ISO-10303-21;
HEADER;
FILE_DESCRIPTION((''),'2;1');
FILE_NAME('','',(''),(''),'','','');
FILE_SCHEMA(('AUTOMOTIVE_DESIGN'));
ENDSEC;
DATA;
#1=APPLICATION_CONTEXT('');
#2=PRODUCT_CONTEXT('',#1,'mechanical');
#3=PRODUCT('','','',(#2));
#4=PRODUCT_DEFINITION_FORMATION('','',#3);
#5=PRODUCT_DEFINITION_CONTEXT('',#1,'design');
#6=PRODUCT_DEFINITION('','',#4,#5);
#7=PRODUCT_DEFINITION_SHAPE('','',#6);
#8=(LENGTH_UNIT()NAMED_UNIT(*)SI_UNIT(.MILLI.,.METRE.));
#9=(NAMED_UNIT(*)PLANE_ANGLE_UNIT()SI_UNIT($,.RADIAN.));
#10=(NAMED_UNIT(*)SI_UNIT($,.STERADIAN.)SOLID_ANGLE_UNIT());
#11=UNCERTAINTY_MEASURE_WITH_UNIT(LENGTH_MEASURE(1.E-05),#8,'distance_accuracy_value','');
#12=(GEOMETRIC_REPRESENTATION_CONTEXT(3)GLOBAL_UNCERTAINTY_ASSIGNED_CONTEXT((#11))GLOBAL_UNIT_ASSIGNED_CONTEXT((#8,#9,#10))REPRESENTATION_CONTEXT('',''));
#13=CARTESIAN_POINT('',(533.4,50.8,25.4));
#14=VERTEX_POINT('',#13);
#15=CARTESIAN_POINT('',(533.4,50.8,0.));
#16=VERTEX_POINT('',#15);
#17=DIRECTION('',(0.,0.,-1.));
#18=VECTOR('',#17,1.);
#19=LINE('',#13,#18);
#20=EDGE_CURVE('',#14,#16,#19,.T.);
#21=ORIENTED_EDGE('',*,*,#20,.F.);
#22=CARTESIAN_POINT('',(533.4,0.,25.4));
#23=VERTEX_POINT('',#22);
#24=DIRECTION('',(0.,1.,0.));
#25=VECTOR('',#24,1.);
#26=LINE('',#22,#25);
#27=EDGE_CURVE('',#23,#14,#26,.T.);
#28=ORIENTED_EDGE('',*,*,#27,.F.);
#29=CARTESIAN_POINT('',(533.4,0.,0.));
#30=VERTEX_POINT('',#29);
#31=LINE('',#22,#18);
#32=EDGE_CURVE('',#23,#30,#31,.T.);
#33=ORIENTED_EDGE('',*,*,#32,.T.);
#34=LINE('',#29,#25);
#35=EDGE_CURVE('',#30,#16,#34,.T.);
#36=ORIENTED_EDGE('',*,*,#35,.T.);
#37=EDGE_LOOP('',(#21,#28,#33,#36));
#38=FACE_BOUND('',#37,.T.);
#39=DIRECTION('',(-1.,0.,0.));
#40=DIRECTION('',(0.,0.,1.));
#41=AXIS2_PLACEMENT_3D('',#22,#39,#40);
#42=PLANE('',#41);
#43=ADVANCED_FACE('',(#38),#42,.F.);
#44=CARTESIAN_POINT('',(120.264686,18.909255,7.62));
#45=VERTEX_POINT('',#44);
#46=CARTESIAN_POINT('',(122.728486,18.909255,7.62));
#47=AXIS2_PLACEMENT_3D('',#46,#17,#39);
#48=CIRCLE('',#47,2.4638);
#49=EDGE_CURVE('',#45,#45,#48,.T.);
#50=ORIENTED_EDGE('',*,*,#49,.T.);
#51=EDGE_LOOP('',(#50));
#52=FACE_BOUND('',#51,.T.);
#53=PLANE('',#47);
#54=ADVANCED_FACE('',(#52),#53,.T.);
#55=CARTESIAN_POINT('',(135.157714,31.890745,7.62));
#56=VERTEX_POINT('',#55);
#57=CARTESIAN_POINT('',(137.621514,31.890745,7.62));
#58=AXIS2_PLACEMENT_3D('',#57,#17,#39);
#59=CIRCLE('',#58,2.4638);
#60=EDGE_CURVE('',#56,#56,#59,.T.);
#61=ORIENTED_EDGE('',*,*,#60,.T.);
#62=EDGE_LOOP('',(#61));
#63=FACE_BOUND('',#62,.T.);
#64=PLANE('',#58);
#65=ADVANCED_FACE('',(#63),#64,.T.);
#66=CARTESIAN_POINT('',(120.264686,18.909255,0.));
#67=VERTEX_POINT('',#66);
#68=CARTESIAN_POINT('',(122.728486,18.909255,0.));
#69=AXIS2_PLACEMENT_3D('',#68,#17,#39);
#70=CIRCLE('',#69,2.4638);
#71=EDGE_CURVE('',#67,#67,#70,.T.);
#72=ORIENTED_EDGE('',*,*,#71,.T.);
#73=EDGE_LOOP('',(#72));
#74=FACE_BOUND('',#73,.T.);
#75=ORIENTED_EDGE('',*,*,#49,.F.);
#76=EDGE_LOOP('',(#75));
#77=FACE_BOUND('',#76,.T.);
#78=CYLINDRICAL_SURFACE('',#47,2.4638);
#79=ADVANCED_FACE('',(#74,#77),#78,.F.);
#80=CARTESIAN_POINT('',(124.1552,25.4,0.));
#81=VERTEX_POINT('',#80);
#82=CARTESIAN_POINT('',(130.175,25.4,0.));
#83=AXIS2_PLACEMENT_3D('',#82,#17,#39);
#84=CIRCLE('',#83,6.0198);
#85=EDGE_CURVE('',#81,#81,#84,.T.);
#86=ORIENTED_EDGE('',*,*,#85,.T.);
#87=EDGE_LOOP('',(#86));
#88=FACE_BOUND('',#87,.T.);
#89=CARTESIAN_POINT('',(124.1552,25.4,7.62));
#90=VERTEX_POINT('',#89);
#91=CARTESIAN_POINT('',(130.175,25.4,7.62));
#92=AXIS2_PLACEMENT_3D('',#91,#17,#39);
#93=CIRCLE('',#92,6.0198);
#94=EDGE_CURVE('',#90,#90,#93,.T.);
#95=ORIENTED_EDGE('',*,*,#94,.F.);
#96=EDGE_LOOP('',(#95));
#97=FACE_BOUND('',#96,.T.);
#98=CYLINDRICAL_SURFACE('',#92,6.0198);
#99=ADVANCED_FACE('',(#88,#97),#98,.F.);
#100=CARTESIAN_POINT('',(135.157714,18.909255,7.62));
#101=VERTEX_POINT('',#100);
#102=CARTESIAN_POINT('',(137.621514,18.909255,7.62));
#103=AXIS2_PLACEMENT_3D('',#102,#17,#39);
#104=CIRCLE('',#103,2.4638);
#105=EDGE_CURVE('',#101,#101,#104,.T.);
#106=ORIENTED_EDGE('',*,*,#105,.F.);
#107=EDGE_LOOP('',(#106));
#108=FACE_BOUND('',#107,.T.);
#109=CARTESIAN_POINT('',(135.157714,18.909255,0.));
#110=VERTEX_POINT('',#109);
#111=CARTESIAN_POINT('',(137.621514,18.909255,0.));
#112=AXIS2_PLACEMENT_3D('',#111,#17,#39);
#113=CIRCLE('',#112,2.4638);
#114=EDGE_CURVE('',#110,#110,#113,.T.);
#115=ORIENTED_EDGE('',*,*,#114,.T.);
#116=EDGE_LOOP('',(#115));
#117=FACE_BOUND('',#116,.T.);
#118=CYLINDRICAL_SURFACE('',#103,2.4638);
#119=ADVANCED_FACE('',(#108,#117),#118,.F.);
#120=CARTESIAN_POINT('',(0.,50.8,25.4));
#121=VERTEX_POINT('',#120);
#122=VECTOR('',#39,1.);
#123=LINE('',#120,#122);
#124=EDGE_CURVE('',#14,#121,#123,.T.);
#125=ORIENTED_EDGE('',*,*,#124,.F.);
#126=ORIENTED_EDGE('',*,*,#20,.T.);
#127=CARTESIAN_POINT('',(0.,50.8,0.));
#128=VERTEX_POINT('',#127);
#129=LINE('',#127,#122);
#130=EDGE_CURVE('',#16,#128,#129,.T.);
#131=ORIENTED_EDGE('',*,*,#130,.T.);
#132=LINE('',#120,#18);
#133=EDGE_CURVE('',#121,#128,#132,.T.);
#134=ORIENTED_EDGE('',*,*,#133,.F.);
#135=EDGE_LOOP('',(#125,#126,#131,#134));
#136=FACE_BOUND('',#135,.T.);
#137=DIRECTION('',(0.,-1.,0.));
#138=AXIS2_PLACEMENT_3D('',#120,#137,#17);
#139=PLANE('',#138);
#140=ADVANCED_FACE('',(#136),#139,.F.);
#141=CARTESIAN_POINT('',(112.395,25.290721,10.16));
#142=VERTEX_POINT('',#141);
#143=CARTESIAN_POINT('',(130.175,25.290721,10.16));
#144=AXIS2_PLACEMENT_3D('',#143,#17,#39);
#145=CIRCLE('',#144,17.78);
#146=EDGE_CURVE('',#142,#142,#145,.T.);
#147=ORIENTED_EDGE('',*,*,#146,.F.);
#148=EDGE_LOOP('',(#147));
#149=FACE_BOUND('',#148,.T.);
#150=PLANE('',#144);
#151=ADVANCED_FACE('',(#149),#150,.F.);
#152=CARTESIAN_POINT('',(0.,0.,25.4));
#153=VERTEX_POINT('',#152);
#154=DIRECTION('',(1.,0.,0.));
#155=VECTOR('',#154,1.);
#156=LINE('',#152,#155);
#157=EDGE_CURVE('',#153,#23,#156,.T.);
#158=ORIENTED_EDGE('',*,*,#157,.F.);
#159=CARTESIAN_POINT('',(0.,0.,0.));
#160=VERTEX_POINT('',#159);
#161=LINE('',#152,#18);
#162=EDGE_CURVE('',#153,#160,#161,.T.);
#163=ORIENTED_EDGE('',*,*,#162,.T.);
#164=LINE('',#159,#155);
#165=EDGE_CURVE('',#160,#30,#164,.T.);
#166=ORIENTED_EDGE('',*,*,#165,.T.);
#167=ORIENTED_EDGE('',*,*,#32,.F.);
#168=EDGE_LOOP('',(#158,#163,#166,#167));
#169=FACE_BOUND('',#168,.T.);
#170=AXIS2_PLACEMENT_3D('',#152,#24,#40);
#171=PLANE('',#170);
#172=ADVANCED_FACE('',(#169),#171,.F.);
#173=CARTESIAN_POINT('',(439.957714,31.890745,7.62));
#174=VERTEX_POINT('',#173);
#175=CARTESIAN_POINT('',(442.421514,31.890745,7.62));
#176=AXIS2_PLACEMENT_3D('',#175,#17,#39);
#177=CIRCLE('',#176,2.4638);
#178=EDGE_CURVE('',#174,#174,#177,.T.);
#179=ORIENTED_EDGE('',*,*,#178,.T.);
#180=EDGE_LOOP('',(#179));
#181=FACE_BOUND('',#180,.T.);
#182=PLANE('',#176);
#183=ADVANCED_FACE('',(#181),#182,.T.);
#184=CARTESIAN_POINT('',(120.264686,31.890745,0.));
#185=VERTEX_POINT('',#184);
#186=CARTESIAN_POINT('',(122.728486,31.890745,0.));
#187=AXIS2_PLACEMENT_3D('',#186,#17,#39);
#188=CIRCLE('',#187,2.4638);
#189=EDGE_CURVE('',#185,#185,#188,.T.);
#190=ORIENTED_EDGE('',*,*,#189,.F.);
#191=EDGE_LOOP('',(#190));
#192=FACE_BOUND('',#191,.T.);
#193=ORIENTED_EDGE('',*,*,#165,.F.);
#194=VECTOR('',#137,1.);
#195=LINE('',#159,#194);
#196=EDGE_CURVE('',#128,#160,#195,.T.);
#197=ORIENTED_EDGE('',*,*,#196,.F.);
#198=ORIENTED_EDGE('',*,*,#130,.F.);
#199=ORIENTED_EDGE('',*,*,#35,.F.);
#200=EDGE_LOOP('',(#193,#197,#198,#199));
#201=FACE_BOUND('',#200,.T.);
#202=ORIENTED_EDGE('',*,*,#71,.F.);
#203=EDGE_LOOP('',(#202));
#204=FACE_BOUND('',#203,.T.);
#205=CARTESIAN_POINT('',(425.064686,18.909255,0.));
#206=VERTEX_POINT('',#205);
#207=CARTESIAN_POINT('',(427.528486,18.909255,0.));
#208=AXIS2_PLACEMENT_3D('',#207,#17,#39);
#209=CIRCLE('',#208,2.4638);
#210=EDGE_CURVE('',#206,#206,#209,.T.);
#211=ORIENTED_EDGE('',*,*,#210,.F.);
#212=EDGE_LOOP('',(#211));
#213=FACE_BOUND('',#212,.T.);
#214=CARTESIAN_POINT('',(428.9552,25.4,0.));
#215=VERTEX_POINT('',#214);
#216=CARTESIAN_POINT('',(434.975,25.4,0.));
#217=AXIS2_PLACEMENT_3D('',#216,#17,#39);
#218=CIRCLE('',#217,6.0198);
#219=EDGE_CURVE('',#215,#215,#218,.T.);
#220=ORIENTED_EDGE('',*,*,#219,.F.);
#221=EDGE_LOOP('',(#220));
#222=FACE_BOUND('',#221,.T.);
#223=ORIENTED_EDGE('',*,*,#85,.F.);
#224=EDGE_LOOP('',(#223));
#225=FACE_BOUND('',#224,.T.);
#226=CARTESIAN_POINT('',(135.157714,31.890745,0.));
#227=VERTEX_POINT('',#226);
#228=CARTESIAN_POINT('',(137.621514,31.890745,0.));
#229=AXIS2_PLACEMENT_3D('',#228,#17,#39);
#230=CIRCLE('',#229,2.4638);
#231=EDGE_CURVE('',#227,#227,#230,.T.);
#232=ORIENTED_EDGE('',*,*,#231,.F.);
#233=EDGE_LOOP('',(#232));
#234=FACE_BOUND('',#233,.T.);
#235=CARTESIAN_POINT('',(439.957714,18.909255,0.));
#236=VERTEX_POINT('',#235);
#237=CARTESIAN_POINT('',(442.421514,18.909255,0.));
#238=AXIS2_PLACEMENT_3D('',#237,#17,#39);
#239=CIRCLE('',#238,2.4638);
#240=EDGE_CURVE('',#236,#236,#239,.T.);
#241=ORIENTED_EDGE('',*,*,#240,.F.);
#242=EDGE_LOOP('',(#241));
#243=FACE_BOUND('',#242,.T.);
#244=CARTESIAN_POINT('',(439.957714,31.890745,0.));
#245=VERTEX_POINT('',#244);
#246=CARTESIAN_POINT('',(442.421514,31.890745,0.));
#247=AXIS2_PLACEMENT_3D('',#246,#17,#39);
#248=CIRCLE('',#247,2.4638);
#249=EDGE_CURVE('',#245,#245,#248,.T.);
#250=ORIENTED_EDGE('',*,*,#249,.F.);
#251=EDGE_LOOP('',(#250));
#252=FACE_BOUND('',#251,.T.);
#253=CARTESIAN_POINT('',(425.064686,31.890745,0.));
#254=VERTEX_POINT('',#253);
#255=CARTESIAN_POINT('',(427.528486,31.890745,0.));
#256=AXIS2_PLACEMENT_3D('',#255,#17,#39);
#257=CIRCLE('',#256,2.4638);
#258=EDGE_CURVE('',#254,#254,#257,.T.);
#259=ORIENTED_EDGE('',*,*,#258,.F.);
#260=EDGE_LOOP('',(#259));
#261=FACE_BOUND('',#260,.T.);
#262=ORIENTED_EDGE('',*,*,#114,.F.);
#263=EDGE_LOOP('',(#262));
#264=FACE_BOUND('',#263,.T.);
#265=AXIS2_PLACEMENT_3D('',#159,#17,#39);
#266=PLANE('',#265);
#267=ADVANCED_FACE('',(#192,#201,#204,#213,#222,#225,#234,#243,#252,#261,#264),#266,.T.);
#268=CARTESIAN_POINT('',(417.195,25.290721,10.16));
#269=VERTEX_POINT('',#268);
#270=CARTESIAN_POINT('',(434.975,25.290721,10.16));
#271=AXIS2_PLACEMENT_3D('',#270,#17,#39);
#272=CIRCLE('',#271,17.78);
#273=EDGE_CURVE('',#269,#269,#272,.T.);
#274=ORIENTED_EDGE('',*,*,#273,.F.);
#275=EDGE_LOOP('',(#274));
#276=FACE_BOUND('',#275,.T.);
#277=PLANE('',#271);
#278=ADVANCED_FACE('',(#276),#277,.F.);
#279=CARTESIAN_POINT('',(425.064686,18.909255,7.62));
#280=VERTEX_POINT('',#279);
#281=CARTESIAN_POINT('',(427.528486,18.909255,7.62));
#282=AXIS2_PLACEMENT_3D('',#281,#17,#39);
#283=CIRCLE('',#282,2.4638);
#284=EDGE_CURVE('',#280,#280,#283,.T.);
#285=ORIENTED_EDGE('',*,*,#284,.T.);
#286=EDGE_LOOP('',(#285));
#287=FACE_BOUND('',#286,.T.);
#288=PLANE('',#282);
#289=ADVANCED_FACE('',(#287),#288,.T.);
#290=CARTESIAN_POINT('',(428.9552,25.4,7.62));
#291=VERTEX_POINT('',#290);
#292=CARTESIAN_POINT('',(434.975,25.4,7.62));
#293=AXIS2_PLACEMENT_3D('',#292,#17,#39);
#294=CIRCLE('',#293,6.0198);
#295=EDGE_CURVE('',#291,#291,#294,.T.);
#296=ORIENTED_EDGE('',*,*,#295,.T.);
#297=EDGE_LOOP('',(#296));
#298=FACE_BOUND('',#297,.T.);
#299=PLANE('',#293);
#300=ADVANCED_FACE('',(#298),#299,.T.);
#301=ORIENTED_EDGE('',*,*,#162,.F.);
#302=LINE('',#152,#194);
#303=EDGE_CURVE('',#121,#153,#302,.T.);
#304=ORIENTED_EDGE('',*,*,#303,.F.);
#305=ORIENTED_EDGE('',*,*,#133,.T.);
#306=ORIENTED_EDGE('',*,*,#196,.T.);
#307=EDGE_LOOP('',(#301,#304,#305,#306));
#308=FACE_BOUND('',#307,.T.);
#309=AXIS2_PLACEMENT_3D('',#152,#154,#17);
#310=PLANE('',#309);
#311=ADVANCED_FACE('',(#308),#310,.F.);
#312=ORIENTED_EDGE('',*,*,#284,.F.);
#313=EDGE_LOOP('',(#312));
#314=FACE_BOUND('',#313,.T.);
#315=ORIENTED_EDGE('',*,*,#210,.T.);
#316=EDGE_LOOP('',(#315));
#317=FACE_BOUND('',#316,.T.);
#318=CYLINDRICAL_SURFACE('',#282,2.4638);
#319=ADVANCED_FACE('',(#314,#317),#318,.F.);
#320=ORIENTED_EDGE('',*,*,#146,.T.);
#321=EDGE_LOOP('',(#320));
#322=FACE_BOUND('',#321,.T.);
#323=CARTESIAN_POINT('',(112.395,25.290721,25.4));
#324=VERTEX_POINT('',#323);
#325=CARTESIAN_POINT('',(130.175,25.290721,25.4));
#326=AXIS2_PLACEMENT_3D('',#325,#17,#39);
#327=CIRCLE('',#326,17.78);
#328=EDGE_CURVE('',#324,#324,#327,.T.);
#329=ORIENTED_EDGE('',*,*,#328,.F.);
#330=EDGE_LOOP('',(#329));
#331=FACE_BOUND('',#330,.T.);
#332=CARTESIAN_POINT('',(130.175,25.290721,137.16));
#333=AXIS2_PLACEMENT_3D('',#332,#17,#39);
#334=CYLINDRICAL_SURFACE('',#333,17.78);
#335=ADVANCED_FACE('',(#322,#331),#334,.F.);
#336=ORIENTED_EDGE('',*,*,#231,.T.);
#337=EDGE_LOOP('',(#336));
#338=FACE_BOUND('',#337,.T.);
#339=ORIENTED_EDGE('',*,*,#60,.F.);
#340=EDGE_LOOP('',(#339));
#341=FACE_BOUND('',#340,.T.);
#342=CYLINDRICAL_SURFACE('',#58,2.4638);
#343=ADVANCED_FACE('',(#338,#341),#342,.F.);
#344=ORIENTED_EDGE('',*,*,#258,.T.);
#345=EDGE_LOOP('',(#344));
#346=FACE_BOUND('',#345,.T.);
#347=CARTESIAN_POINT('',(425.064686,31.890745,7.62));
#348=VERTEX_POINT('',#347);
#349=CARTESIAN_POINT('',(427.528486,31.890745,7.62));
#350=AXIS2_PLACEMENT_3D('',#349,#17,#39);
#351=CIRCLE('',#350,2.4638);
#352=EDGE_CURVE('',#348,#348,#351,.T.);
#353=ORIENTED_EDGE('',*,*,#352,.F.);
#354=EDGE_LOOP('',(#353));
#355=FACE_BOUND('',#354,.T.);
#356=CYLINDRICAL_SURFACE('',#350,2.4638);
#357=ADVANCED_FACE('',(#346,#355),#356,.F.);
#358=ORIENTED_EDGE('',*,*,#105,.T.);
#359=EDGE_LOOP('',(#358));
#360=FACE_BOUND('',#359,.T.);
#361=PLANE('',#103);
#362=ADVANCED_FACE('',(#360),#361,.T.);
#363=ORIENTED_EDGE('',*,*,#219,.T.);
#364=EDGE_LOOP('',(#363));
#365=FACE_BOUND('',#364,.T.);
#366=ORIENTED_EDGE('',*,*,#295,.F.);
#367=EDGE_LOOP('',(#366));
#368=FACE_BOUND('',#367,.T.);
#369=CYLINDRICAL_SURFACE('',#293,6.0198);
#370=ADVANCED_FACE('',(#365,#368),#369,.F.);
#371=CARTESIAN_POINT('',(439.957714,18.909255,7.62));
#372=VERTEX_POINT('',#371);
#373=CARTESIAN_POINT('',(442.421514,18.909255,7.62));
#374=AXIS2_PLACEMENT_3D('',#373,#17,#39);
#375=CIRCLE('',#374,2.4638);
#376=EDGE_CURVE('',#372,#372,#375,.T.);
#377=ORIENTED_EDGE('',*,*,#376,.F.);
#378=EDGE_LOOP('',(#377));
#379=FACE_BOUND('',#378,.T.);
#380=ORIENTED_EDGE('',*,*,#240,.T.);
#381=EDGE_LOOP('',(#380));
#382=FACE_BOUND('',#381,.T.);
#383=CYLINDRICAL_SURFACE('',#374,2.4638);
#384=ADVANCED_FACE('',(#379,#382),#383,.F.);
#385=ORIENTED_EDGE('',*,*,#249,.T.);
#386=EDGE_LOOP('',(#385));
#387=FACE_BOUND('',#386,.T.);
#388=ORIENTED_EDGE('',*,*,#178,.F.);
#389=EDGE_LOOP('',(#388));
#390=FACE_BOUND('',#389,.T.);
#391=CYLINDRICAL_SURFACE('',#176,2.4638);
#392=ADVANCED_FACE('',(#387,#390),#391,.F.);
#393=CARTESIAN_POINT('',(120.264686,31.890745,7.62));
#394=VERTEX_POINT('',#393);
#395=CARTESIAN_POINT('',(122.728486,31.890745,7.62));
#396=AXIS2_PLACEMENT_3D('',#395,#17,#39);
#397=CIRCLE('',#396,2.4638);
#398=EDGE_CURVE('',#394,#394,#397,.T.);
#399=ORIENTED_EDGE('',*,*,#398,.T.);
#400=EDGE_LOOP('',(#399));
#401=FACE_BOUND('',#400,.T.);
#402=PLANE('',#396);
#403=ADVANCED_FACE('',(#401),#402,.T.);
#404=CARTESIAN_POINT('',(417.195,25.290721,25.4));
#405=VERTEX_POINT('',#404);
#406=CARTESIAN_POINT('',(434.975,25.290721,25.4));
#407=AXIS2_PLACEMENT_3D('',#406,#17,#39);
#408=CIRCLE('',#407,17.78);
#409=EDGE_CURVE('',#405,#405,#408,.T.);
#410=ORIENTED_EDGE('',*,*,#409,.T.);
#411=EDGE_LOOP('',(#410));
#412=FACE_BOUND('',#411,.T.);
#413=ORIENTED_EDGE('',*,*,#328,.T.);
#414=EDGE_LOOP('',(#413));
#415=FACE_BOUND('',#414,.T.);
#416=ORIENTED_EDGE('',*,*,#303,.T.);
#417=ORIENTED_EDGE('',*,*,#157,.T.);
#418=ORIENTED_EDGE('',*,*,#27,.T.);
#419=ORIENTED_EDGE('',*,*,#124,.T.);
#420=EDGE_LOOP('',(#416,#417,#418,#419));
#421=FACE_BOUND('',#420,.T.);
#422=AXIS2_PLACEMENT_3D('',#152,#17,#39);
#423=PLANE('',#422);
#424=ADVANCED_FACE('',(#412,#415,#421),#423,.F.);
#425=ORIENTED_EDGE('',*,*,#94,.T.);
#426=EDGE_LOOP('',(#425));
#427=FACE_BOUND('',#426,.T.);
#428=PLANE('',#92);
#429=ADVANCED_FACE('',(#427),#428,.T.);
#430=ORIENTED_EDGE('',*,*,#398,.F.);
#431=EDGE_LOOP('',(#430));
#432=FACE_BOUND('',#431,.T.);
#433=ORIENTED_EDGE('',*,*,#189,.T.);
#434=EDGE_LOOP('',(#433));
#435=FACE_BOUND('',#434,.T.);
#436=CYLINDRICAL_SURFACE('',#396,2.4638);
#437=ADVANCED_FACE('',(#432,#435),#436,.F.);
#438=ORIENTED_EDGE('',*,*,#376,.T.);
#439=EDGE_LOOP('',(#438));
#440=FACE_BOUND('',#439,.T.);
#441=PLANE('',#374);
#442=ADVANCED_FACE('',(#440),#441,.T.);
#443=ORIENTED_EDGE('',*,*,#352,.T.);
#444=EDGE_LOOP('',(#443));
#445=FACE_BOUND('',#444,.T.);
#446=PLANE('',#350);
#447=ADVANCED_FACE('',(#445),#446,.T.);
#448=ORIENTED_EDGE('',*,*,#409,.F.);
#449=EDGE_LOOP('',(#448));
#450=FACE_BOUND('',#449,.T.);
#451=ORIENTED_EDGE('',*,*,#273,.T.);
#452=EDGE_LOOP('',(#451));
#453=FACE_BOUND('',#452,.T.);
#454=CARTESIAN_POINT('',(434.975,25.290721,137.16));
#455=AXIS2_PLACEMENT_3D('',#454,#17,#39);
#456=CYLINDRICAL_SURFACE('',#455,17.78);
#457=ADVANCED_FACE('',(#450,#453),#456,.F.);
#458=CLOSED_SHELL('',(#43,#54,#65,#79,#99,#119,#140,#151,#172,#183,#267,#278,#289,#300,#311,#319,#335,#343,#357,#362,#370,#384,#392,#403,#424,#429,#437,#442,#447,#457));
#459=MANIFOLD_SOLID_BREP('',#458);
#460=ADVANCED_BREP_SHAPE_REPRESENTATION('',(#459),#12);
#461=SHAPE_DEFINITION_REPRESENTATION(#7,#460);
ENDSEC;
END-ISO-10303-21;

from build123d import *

# Parameters (mm, degrees)
SKETCH1_W           = 533.4
SKETCH1_H           = 50.8
BOSS_EXTRUDE1_DEPTH = 25.4
CUT_EXTRUDE1_START  = -10.16
SKETCH3_R           = 17.78
CUT_EXTRUDE1_DEPTH  = 127
SKETCH4_R           = 6.0198
SKETCH4_R_2         = 2.4638
CUT_EXTRUDE2_DEPTH  = 7.62


with BuildPart() as part:
    # Sketch1 → Boss-Extrude1 (new body)
    with BuildSketch(Plane.XY):
        with Locations((266.7, 25.4)):
            Rectangle(SKETCH1_W, SKETCH1_H)
    extrude(amount=BOSS_EXTRUDE1_DEPTH)

    # Sketch3 → Cut-Extrude1 (cut)
    with BuildSketch(Plane(origin=(0, 0, 0), x_dir=(-1, 0, 0), z_dir=(0, 0, -1)).offset(CUT_EXTRUDE1_START)):
        with Locations((-130.175, 25.290721308)):
            Circle(SKETCH3_R)
        with Locations((-434.975, 25.290721308)):
            Circle(SKETCH3_R)
    extrude(amount=-CUT_EXTRUDE1_DEPTH, mode=Mode.SUBTRACT)

    # Sketch4 → Cut-Extrude2 (cut)
    with BuildSketch(Plane(origin=(0, 0, 0), x_dir=(-1, 0, 0), z_dir=(0, 0, -1))):
        with Locations((-130.175, 25.4)):
            Circle(SKETCH4_R)
        with Locations((-122.728486169, 18.909255319)):
            Circle(SKETCH4_R_2)
        with Locations((-122.728486169, 31.890744681)):
            Circle(SKETCH4_R_2)
        with Locations((-137.621513831, 18.909255319)):
            Circle(SKETCH4_R_2)
        with Locations((-137.621513831, 31.890744681)):
            Circle(SKETCH4_R_2)
        with Locations((-434.975, 25.4)):
            Circle(SKETCH4_R)
        with Locations((-427.528486169, 18.909255319)):
            Circle(SKETCH4_R_2)
        with Locations((-427.528486169, 31.890744681)):
            Circle(SKETCH4_R_2)
        with Locations((-442.421513831, 18.909255319)):
            Circle(SKETCH4_R_2)
        with Locations((-442.421513831, 31.890744681)):
            Circle(SKETCH4_R_2)
    extrude(amount=-CUT_EXTRUDE2_DEPTH, mode=Mode.SUBTRACT)


solid = part.part
